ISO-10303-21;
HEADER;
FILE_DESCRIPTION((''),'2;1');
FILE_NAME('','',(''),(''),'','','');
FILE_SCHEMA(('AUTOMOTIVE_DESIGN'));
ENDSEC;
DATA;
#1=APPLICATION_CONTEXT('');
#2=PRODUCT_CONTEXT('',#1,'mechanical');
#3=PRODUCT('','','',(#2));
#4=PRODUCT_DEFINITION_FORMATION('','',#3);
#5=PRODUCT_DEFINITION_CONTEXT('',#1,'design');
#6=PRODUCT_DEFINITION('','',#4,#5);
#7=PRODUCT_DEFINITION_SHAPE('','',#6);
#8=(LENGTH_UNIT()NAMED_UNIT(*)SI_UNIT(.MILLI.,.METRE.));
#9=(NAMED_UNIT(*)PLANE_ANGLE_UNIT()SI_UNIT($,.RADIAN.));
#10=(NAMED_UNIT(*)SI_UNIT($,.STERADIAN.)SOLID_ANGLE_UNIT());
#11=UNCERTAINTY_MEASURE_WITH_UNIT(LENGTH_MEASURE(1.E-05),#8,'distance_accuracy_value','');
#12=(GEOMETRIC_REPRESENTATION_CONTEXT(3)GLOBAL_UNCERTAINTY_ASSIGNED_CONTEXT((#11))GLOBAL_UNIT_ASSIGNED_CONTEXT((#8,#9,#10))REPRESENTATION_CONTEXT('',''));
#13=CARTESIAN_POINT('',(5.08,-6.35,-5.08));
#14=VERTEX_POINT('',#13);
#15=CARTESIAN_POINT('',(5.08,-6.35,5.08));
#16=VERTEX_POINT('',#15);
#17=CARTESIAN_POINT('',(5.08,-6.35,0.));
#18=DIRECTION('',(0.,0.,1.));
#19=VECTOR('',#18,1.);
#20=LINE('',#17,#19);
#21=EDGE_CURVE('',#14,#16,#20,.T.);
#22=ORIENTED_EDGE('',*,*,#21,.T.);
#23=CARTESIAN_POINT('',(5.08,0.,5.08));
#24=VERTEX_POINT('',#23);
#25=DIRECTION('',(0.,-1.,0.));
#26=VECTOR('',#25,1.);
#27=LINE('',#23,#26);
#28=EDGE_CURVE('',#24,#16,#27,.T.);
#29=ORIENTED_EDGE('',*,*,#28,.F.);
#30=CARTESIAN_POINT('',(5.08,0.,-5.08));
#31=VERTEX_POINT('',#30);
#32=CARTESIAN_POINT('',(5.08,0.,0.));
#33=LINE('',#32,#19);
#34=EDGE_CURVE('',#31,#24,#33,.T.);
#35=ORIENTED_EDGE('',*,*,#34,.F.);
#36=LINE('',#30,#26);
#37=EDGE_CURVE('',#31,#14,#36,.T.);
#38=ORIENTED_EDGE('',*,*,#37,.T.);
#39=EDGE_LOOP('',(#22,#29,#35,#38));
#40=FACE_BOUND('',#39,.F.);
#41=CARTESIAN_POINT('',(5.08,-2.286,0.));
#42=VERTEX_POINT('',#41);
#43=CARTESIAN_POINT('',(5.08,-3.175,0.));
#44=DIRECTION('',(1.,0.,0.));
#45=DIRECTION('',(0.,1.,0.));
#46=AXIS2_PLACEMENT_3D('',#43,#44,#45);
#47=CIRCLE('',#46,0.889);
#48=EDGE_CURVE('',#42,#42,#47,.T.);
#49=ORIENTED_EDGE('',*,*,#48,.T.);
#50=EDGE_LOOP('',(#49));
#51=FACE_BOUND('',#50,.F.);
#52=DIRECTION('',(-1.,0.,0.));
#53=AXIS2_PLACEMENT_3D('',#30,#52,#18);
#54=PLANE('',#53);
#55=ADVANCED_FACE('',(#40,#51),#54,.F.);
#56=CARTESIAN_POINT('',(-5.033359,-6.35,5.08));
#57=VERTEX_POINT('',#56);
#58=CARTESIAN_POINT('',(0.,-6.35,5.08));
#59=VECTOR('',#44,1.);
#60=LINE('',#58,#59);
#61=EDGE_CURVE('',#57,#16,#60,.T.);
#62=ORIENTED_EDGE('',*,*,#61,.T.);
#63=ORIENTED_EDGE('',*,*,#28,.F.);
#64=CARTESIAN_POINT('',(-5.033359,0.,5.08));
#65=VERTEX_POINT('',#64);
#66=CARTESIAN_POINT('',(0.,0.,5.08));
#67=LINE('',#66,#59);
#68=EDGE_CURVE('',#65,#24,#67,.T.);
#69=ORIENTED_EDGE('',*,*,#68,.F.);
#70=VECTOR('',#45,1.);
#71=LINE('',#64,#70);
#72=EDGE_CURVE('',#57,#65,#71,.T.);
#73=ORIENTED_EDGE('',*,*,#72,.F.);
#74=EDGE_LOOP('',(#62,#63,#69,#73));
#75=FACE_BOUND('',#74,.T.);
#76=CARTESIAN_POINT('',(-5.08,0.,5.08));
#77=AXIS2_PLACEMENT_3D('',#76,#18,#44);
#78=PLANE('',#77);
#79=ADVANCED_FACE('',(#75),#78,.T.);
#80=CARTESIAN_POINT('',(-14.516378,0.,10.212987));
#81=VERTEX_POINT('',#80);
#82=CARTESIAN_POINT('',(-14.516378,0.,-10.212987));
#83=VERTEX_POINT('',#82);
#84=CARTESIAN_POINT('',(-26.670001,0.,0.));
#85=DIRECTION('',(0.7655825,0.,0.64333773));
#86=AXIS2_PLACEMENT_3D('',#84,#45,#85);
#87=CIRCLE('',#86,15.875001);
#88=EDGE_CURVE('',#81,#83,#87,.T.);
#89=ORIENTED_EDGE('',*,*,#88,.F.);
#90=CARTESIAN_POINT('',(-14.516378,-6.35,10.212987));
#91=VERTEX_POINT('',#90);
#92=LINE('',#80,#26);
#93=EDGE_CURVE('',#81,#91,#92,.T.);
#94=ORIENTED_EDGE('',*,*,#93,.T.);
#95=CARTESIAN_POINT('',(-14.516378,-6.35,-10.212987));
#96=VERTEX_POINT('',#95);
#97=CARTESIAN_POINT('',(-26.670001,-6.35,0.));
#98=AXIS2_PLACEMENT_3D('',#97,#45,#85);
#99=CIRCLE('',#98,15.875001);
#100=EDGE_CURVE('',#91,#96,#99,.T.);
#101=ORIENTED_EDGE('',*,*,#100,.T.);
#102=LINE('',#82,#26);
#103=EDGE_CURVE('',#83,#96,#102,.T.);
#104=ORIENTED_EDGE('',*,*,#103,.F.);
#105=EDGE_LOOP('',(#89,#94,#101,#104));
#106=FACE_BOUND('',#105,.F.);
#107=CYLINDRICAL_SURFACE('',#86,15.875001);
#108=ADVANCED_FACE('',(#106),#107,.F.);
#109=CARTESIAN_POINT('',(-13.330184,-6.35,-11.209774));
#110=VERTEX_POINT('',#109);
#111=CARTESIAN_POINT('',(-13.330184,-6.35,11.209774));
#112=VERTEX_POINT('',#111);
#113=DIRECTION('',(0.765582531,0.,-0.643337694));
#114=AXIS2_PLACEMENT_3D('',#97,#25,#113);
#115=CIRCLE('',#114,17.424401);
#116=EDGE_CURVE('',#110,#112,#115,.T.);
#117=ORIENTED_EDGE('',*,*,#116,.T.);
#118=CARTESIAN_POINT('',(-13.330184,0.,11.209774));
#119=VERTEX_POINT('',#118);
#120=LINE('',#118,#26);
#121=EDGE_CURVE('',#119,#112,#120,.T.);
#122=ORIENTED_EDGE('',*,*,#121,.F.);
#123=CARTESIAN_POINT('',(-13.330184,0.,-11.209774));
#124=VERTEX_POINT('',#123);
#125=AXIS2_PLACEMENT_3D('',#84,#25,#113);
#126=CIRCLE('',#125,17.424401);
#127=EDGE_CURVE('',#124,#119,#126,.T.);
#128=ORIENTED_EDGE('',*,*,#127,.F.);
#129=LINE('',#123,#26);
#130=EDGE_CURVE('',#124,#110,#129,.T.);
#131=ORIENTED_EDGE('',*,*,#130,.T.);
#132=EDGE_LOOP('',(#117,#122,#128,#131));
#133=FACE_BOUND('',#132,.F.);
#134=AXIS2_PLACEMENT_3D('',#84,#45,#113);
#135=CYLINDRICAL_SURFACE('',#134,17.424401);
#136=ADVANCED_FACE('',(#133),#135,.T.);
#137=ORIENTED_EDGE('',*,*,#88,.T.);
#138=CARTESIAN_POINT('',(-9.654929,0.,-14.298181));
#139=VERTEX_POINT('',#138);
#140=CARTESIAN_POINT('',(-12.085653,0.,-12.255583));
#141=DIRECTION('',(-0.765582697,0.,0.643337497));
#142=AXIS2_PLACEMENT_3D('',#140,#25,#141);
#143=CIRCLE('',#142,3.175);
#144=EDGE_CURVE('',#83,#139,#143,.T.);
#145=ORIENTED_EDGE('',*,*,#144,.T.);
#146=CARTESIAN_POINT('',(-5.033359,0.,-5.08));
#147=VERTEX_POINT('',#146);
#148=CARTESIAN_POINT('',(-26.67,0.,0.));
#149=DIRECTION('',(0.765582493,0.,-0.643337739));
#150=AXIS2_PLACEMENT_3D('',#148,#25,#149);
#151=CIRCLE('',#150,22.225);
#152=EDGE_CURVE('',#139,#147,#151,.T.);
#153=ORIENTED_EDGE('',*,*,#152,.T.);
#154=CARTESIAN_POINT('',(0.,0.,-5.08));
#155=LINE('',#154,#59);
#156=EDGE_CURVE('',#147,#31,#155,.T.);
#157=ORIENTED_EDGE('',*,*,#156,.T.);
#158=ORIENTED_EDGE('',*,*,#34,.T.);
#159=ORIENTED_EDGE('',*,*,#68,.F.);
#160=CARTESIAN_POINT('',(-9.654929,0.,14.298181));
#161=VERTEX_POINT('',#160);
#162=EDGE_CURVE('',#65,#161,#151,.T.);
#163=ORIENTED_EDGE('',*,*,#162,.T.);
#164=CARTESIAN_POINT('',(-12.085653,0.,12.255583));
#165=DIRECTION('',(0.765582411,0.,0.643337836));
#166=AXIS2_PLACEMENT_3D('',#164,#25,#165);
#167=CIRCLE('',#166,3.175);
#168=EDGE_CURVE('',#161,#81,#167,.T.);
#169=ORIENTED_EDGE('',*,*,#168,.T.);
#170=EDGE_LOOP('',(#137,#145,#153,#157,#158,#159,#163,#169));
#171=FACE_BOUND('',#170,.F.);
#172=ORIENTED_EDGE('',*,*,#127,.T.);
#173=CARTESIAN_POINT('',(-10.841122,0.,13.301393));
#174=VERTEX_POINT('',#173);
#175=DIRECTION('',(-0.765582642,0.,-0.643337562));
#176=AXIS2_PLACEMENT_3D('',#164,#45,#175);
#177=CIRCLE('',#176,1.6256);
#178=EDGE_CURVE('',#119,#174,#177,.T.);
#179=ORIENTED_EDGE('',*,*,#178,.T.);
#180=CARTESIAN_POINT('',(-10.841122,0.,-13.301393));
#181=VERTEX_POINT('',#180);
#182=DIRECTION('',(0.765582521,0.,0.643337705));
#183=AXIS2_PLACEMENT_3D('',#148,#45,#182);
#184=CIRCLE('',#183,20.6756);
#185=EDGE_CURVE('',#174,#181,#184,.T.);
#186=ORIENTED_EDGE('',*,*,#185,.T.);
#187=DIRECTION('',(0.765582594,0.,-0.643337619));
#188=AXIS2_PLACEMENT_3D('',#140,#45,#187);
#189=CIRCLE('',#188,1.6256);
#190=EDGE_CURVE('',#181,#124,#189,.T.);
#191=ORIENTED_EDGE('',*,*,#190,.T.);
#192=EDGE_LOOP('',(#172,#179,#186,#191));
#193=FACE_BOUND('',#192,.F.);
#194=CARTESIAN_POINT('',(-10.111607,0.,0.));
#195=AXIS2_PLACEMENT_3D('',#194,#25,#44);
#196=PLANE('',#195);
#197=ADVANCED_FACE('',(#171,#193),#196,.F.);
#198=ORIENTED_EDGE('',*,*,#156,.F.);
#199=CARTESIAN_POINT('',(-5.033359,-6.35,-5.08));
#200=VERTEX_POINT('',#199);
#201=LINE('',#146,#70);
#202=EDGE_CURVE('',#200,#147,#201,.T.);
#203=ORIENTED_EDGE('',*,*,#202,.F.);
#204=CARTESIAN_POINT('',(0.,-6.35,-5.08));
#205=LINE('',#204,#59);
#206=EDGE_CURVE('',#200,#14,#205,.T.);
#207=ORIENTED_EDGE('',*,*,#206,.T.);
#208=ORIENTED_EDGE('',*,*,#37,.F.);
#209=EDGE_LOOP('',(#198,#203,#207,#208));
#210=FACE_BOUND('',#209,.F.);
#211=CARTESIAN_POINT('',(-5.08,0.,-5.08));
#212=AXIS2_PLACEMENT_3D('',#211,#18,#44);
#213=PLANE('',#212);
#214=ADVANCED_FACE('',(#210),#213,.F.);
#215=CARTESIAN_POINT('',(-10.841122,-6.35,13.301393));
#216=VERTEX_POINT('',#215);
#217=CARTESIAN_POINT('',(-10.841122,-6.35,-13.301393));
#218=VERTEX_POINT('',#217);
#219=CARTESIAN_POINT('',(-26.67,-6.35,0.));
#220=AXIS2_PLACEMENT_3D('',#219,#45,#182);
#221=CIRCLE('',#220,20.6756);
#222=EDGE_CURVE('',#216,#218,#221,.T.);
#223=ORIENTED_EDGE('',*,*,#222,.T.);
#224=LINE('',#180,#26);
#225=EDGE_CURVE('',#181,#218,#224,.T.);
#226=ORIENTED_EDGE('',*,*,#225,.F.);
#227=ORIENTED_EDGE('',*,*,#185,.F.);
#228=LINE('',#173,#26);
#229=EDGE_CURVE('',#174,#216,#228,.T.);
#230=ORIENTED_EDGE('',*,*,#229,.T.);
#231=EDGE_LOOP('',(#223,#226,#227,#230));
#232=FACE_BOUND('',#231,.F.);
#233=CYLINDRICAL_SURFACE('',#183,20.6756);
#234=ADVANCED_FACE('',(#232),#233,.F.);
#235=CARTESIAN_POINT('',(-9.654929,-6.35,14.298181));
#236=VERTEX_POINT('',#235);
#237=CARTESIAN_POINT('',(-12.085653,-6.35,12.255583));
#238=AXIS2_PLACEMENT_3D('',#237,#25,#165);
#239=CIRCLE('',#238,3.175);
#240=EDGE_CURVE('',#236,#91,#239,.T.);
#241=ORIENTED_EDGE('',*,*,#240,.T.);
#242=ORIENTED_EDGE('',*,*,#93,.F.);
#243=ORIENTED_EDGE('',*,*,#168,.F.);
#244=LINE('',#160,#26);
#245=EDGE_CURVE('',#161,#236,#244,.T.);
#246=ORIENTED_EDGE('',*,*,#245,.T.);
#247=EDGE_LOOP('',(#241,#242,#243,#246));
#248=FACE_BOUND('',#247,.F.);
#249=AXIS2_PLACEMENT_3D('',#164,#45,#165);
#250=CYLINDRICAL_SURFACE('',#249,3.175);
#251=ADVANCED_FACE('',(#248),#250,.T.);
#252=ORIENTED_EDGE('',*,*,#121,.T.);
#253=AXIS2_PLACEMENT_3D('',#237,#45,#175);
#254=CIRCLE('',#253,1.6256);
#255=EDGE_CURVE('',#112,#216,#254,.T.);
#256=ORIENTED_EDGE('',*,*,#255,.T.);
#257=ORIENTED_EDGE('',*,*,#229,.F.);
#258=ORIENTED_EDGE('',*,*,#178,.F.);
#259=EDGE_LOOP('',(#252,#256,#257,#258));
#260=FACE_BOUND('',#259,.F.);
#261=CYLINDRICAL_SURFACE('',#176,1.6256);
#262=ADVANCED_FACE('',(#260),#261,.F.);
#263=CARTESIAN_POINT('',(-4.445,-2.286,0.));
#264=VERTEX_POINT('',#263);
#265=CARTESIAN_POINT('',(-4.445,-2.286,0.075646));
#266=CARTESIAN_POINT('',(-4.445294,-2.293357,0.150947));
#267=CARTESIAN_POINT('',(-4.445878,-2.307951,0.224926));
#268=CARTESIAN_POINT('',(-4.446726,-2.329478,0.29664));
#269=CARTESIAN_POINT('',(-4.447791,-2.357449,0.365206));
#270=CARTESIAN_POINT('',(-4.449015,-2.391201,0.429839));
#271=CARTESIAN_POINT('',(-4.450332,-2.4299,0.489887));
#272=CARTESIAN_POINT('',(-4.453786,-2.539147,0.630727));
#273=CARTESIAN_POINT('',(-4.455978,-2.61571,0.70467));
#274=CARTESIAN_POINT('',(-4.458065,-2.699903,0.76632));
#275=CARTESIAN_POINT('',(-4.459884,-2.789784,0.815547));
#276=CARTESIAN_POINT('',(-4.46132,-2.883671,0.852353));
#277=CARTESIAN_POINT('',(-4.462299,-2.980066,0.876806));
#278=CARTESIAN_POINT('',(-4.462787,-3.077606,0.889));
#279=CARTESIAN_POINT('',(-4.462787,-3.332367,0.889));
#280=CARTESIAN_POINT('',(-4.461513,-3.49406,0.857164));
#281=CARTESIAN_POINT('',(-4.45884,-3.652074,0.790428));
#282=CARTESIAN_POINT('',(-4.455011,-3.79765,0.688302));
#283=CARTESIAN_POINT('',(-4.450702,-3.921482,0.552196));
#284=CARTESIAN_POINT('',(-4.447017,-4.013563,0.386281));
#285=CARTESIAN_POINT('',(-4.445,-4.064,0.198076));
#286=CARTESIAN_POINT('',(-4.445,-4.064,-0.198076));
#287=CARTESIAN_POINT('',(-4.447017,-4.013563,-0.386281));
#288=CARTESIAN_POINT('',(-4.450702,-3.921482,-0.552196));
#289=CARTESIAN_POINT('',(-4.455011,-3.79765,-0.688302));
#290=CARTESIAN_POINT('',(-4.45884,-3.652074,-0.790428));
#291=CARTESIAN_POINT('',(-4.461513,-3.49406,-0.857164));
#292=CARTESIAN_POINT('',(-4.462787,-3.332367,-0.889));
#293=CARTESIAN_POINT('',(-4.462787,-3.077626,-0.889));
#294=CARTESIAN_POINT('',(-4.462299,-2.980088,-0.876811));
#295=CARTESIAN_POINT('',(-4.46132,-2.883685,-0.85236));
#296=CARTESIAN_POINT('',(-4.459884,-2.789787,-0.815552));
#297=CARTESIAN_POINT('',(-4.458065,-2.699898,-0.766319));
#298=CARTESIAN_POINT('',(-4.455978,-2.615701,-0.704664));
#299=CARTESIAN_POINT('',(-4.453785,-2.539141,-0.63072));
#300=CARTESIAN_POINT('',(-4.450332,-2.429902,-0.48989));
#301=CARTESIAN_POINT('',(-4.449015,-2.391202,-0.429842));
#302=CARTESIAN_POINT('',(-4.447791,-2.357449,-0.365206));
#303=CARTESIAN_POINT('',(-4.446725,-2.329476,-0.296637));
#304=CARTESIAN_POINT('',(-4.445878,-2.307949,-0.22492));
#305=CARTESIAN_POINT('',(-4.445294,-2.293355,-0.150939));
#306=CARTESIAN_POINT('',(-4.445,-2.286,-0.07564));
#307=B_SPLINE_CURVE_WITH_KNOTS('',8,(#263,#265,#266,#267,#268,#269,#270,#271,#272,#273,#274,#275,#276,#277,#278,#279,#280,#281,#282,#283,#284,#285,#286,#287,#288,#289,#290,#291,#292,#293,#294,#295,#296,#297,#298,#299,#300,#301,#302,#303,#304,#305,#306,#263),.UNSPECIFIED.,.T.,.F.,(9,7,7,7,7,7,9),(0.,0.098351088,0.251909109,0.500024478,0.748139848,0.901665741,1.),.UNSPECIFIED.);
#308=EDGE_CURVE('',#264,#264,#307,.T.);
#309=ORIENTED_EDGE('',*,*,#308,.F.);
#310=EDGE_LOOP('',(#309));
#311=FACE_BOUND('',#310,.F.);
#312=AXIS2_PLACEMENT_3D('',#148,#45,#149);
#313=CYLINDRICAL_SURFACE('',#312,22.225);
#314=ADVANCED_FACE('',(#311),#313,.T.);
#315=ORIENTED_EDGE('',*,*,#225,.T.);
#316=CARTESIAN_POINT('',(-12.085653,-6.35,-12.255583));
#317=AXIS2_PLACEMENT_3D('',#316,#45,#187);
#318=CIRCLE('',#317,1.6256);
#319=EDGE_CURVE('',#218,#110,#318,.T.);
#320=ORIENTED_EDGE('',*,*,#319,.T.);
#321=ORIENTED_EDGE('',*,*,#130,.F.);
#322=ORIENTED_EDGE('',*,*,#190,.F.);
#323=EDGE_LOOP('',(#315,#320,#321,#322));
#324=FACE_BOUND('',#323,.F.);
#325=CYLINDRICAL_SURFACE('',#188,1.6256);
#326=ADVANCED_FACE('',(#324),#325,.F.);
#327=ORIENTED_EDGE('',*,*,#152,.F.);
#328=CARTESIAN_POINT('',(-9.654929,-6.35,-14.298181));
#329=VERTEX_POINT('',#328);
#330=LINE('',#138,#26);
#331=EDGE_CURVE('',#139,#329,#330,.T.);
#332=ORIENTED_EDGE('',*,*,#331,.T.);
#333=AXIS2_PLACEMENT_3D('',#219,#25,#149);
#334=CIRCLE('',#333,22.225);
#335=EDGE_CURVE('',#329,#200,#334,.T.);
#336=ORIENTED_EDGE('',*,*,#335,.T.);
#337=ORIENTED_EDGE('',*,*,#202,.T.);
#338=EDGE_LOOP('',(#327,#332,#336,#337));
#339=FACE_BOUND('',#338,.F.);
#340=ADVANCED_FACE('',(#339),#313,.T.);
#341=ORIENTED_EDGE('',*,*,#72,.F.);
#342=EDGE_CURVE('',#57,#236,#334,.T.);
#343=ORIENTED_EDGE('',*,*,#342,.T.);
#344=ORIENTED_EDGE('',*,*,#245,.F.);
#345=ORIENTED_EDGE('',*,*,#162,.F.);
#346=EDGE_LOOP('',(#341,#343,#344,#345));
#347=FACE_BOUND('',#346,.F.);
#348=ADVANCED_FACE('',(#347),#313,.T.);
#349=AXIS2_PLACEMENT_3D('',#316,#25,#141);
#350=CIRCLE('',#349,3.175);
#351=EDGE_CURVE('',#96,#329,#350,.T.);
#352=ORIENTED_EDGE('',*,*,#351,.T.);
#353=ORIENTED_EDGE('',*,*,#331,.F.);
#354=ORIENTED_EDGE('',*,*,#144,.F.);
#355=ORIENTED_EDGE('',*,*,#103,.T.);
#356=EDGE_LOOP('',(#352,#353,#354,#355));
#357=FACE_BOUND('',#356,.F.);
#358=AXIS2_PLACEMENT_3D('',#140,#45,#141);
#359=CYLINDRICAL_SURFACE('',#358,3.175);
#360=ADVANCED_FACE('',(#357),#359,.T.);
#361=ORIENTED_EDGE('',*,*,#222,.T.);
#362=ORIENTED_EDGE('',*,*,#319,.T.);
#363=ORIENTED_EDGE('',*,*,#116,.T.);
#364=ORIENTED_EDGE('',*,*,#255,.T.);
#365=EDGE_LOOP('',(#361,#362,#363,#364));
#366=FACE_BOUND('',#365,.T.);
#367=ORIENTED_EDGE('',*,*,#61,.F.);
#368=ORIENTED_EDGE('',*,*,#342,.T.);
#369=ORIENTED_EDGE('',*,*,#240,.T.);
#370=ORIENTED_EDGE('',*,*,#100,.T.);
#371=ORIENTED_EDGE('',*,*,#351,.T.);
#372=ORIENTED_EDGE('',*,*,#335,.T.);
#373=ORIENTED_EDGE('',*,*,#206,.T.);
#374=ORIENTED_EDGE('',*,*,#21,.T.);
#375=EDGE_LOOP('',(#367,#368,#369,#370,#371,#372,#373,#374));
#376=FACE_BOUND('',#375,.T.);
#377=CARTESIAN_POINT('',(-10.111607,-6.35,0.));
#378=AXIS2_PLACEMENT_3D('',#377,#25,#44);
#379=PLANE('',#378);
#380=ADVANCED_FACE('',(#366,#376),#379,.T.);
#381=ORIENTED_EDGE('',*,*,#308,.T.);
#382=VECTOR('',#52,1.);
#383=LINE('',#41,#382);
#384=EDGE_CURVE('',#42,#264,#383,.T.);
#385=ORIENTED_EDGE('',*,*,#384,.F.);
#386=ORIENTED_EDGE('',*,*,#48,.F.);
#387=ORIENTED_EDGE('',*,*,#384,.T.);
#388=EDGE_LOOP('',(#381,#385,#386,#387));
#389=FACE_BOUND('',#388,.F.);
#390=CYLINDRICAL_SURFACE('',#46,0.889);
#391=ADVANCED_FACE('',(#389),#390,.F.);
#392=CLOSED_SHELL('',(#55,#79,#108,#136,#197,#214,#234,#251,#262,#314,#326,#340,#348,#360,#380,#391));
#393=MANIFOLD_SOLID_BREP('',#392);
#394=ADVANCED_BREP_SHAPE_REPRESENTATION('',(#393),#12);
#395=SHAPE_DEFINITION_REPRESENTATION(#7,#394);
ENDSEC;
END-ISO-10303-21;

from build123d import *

# Parameters (mm, degrees)
F0_W     = 10.16
F0_H     = 10.16
F1_DEPTH = 6.35
F2_R     = 0.889
F3_DEPTH = 25.4
F5_DEPTH = 6.35


with BuildPart() as f1:
    # F0 (on Front) → F1 (new body)
    with BuildSketch(Plane.XZ):
        Rectangle(F0_W, F0_H)
    extrude(amount=F1_DEPTH)

    # F2 (on face) → F3 (cut)
    with BuildSketch(Plane.YZ.offset(5.08)):
        with Locations((-3.175, 0)):
            Circle(F2_R)
    extrude(amount=-F3_DEPTH, mode=Mode.SUBTRACT)

    # F4 (on Front) → F5 (join)
    with BuildSketch(Plane.XZ):
        with BuildLine():
            ThreePointArc((-14.516378, -10.212987), (-14.12825, -14.686308), (-9.654929, -14.298181))
            ThreePointArc((-9.654929, -14.298181), (-4.445, 0), (-9.654929, 14.298181))
            ThreePointArc((-9.654929, 14.298181), (-14.12825, 14.686308), (-14.516378, 10.212987))
            ThreePointArc((-14.516378, 10.212987), (-10.795, 0), (-14.516378, -10.212987))
        make_face()
        with BuildLine():
            ThreePointArc((-10.841122, 13.301393), (-5.9944, 0), (-10.841122, -13.301393))
            ThreePointArc((-10.841122, -13.301393), (-13.131463, -13.500114), (-13.330184, -11.209774))
            ThreePointArc((-13.330184, -11.209774), (-9.2456, 0), (-13.330184, 11.209774))
            ThreePointArc((-13.330184, 11.209774), (-13.131463, 13.500114), (-10.841122, 13.301393))
        make_face(mode=Mode.SUBTRACT)
    extrude(amount=F5_DEPTH)


solid = f1.part
